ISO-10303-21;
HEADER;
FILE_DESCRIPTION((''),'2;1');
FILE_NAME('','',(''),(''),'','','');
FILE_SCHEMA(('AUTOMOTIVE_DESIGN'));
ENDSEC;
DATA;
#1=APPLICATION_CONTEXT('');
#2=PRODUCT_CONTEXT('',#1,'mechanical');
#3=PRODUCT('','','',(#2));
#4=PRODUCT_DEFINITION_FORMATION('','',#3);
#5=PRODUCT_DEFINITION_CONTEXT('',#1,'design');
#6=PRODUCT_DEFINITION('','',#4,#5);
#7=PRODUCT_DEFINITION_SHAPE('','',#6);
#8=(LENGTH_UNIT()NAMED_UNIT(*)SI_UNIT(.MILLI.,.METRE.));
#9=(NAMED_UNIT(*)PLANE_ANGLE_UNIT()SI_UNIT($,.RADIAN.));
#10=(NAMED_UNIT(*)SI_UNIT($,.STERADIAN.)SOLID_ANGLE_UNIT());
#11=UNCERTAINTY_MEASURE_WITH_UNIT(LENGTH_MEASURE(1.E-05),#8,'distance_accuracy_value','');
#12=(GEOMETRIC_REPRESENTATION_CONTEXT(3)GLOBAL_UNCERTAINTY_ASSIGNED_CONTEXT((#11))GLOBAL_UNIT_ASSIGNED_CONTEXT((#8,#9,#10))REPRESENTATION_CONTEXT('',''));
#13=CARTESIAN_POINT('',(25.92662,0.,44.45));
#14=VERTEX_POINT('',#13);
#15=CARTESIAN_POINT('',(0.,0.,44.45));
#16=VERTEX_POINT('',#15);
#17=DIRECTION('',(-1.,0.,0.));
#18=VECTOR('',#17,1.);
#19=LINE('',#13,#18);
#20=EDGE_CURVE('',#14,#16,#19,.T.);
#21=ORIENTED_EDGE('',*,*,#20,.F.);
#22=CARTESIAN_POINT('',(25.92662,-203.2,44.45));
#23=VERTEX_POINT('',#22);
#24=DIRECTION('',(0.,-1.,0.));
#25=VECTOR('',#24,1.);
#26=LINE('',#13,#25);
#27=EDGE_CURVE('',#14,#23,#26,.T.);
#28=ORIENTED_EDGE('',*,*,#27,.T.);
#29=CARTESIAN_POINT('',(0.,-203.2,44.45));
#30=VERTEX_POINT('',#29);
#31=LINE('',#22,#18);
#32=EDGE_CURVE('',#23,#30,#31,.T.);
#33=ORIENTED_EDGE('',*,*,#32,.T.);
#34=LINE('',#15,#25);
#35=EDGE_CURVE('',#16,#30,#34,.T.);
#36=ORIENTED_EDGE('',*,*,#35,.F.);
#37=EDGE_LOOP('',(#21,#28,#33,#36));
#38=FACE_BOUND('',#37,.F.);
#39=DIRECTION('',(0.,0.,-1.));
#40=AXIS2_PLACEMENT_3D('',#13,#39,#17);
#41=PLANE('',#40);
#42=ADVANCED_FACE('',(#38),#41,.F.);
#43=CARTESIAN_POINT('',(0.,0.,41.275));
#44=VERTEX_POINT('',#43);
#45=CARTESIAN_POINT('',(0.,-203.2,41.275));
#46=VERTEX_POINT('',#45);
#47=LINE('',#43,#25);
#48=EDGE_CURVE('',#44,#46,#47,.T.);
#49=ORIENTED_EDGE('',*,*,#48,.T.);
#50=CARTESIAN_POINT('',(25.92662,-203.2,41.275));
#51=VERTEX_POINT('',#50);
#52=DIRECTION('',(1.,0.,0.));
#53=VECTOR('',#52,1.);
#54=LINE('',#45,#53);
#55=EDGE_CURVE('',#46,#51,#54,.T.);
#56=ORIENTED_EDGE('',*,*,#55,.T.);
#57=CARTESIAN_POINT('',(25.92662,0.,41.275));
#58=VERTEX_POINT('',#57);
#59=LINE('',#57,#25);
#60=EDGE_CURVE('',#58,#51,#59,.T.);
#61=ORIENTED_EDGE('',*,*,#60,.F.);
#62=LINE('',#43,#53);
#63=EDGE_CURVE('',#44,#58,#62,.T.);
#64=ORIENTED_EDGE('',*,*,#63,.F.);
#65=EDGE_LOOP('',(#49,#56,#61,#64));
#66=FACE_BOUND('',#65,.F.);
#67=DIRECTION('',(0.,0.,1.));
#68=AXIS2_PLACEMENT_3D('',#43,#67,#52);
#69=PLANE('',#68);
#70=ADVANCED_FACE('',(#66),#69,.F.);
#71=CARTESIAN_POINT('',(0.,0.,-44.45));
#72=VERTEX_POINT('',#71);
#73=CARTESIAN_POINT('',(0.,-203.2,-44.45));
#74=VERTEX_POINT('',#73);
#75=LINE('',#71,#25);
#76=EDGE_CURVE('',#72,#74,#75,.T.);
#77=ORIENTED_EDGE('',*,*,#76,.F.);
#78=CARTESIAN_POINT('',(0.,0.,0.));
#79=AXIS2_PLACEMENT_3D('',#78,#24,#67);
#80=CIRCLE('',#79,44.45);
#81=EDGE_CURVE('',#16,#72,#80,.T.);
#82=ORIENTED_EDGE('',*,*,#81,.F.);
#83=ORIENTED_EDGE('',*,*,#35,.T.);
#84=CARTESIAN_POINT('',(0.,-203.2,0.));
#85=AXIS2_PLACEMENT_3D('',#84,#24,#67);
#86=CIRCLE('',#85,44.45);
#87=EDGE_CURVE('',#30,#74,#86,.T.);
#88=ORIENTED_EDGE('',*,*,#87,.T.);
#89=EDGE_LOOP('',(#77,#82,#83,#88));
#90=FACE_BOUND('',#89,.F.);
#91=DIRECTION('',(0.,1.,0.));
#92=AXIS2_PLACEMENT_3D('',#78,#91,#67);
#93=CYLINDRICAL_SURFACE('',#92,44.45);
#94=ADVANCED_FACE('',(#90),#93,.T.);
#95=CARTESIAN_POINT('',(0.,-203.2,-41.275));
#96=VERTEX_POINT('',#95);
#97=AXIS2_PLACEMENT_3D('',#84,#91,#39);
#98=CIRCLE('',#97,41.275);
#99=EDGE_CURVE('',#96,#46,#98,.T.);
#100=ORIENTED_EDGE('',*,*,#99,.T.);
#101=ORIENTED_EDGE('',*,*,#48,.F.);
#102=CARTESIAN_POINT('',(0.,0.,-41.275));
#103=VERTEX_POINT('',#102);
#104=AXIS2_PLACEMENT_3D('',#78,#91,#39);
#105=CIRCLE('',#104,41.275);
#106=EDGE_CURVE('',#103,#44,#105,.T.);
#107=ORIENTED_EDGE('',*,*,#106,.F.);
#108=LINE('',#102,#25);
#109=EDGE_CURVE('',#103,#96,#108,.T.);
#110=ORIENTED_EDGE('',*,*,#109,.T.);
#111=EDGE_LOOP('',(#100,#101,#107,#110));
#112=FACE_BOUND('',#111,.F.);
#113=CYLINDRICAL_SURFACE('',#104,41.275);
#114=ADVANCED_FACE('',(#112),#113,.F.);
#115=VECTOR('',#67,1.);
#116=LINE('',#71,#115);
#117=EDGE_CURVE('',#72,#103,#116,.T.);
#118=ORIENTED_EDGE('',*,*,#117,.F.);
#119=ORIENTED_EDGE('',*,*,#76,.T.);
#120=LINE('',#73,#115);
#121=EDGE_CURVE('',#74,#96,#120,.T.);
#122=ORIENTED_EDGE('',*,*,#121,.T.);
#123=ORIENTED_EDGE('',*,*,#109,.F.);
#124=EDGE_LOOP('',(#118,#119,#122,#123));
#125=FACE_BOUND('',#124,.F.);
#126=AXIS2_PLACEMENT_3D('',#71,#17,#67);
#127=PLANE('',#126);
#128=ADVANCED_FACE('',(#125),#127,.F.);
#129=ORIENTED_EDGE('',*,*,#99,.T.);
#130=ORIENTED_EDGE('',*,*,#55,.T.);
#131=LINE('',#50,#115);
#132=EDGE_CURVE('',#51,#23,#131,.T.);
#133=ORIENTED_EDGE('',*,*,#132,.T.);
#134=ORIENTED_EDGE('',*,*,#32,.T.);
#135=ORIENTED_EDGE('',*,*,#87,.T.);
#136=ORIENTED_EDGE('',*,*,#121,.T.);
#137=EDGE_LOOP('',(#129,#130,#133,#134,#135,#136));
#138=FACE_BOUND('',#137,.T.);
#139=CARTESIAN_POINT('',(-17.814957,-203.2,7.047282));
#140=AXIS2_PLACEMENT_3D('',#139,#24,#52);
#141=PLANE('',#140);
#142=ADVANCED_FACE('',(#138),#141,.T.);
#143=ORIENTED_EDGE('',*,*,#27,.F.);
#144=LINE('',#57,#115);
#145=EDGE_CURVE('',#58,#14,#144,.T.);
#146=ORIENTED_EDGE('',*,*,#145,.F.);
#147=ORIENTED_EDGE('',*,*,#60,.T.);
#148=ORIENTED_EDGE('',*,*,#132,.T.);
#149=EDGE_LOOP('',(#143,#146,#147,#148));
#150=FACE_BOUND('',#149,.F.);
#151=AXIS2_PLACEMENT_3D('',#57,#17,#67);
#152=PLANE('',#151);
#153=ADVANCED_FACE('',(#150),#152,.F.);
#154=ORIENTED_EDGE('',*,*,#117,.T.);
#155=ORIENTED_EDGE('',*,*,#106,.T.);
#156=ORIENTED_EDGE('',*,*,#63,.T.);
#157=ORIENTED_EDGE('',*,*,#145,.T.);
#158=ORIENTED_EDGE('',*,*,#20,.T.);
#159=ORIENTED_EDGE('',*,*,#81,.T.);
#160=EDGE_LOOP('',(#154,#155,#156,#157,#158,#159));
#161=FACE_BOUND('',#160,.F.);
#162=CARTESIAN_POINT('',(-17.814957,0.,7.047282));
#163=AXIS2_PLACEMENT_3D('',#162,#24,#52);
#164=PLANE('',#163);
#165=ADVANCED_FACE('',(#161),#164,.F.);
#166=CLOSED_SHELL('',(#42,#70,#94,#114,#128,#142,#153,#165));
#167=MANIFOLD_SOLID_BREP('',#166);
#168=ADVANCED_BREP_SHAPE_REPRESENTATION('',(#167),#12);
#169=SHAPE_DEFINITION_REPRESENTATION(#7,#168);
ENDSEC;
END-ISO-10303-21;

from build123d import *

# Parameters (mm, degrees)
F1_DEPTH = 203.2


with BuildPart() as f1:
    # F0 (on Front) → F1 (new body)
    with BuildSketch(Plane.XZ):
        with BuildLine():
            ThreePointArc((0, -41.275), (-41.275, 0), (0, 41.275))
            Line((0, 41.275), (25.92662, 41.275))
            Line((25.92662, 41.275), (25.92662, 44.45))
            Line((25.92662, 44.45), (0, 44.45))
            ThreePointArc((0, 44.45), (-44.45, 0), (0, -44.45))
            Line((0, -44.45), (0, -41.275))
        make_face()
    extrude(amount=F1_DEPTH)


solid = f1.part
